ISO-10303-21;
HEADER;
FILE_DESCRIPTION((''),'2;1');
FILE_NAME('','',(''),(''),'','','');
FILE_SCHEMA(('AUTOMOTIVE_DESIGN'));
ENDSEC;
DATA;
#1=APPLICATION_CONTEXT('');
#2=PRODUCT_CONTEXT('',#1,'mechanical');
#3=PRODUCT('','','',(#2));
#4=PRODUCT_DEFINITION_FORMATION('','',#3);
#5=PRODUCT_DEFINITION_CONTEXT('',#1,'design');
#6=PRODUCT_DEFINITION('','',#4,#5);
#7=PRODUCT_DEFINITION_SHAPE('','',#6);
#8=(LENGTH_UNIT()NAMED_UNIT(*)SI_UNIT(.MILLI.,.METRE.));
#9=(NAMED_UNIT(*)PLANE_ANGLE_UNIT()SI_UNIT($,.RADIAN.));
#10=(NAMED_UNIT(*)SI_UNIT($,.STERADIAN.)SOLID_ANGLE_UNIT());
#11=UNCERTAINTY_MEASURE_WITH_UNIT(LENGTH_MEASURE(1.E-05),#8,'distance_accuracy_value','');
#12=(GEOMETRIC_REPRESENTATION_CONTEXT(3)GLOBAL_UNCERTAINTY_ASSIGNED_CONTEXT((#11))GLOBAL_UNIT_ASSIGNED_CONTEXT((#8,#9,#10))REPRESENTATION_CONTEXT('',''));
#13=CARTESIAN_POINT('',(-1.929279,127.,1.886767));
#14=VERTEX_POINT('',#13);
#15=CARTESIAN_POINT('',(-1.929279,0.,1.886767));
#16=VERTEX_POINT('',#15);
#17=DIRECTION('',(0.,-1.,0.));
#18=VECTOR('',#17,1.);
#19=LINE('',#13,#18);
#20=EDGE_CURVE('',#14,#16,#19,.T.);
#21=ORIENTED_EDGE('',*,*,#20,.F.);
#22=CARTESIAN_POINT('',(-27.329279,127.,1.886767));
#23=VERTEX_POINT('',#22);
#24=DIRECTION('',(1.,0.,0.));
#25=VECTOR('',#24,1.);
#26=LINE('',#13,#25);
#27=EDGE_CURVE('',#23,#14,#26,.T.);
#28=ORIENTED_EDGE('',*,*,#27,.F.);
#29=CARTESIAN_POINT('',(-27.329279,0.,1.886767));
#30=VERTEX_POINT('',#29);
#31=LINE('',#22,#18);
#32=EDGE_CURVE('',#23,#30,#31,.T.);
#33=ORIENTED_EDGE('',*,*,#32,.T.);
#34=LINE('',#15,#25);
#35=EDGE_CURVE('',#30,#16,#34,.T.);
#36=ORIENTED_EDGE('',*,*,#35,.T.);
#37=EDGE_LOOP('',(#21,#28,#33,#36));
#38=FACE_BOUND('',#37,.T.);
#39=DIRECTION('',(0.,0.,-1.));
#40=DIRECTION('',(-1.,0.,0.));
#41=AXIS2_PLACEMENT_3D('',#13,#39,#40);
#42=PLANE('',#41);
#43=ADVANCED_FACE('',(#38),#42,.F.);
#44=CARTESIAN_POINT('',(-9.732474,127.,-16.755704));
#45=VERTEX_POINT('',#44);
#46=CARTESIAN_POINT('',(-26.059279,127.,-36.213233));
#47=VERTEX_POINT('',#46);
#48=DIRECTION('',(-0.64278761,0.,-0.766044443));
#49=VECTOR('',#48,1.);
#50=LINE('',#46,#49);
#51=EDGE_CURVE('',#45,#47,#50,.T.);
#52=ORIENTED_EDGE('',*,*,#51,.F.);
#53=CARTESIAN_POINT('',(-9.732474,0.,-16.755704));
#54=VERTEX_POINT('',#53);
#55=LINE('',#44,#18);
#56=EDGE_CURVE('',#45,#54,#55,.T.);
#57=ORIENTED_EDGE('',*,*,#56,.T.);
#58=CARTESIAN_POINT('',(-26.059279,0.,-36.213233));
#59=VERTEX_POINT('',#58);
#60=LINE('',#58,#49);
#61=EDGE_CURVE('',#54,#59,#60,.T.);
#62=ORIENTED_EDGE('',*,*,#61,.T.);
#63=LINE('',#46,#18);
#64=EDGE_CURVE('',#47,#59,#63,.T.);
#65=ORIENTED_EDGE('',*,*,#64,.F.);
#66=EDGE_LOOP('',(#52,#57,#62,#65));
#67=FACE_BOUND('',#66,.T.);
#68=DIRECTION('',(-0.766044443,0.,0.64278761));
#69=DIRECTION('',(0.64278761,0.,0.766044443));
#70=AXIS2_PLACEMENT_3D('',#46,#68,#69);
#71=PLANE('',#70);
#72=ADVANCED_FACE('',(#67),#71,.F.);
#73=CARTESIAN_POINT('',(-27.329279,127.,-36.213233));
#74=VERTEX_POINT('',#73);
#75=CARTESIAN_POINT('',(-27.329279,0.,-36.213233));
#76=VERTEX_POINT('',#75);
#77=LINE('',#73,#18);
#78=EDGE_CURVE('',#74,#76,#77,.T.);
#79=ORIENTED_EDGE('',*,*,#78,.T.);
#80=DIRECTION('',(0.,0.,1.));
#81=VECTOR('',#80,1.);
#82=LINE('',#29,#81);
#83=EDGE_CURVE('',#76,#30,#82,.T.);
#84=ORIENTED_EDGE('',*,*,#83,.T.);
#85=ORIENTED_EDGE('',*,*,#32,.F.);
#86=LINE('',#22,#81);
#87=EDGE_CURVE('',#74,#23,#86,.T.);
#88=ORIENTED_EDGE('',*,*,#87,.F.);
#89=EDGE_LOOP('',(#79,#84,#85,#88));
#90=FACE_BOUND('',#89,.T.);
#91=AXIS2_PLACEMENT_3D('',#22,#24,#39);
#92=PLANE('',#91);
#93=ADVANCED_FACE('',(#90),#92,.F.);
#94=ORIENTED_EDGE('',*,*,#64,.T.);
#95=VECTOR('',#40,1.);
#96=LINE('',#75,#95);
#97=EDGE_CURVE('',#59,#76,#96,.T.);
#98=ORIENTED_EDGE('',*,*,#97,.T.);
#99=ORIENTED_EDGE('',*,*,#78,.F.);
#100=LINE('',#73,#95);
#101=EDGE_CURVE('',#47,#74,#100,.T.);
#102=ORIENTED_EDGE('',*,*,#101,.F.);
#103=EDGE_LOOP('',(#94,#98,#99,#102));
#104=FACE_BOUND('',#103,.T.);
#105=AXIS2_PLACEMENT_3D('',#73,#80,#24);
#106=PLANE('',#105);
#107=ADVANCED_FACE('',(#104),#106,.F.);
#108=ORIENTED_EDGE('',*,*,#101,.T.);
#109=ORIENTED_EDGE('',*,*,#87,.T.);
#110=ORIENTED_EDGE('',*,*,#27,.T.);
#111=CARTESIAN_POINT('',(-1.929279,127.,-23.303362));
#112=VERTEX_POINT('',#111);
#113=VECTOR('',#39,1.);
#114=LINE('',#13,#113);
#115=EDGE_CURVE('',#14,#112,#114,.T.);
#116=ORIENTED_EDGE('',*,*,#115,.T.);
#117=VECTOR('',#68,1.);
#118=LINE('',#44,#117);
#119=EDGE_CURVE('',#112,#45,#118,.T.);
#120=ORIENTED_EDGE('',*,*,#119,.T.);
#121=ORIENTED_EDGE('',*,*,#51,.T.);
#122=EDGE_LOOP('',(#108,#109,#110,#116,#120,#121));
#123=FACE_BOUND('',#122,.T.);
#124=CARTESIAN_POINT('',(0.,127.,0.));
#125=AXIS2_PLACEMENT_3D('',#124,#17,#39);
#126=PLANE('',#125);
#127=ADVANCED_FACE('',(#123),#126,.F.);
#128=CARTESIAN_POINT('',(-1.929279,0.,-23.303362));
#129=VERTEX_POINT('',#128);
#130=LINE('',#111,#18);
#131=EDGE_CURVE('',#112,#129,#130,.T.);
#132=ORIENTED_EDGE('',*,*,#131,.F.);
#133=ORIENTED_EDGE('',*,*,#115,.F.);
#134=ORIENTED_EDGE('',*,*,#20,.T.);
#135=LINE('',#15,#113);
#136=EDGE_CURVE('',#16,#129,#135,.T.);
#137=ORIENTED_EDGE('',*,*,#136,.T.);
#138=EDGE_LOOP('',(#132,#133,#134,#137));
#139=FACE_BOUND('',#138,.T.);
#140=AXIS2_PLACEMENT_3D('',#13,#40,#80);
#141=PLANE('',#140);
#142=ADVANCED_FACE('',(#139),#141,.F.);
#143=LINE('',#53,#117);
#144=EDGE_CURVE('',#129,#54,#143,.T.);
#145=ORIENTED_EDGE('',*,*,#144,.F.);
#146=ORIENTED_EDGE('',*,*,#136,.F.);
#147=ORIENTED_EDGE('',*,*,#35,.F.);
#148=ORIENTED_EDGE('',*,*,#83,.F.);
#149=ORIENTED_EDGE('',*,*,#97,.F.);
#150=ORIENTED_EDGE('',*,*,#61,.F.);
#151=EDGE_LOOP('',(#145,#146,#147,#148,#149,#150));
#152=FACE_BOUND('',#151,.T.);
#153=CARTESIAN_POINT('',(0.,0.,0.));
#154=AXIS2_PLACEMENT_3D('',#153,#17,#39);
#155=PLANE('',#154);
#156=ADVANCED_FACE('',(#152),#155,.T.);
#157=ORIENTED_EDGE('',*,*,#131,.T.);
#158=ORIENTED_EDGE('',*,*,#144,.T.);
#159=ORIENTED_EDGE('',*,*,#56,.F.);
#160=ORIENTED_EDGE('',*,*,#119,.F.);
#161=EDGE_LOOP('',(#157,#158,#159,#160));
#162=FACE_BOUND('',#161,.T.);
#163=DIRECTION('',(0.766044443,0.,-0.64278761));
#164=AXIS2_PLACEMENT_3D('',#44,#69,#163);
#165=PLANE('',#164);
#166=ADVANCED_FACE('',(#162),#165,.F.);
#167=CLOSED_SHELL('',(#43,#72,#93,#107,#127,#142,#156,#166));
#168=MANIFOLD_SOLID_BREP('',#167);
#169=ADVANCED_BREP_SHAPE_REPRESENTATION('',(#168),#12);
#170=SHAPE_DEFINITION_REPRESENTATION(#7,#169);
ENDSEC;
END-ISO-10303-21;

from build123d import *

# Parameters (mm, degrees)
BOSS_EXTRUDE1_DEPTH = 127


with BuildPart() as part:
    # Sketch1 → Boss-Extrude1 (new body)
    with BuildSketch(Plane(origin=(0, 0, 0), x_dir=(1, 0, 0), z_dir=(0, 1, 0))):
        Polygon((-26.059279302, 36.213233296), (-9.732474016, 16.75570444), (-1.929279302, 23.303362247), (-1.929279302, -1.886766704), (-27.329279302, -1.886766704), (-27.329279302, 36.213233296), align=None)
    extrude(amount=BOSS_EXTRUDE1_DEPTH)


solid = part.part
